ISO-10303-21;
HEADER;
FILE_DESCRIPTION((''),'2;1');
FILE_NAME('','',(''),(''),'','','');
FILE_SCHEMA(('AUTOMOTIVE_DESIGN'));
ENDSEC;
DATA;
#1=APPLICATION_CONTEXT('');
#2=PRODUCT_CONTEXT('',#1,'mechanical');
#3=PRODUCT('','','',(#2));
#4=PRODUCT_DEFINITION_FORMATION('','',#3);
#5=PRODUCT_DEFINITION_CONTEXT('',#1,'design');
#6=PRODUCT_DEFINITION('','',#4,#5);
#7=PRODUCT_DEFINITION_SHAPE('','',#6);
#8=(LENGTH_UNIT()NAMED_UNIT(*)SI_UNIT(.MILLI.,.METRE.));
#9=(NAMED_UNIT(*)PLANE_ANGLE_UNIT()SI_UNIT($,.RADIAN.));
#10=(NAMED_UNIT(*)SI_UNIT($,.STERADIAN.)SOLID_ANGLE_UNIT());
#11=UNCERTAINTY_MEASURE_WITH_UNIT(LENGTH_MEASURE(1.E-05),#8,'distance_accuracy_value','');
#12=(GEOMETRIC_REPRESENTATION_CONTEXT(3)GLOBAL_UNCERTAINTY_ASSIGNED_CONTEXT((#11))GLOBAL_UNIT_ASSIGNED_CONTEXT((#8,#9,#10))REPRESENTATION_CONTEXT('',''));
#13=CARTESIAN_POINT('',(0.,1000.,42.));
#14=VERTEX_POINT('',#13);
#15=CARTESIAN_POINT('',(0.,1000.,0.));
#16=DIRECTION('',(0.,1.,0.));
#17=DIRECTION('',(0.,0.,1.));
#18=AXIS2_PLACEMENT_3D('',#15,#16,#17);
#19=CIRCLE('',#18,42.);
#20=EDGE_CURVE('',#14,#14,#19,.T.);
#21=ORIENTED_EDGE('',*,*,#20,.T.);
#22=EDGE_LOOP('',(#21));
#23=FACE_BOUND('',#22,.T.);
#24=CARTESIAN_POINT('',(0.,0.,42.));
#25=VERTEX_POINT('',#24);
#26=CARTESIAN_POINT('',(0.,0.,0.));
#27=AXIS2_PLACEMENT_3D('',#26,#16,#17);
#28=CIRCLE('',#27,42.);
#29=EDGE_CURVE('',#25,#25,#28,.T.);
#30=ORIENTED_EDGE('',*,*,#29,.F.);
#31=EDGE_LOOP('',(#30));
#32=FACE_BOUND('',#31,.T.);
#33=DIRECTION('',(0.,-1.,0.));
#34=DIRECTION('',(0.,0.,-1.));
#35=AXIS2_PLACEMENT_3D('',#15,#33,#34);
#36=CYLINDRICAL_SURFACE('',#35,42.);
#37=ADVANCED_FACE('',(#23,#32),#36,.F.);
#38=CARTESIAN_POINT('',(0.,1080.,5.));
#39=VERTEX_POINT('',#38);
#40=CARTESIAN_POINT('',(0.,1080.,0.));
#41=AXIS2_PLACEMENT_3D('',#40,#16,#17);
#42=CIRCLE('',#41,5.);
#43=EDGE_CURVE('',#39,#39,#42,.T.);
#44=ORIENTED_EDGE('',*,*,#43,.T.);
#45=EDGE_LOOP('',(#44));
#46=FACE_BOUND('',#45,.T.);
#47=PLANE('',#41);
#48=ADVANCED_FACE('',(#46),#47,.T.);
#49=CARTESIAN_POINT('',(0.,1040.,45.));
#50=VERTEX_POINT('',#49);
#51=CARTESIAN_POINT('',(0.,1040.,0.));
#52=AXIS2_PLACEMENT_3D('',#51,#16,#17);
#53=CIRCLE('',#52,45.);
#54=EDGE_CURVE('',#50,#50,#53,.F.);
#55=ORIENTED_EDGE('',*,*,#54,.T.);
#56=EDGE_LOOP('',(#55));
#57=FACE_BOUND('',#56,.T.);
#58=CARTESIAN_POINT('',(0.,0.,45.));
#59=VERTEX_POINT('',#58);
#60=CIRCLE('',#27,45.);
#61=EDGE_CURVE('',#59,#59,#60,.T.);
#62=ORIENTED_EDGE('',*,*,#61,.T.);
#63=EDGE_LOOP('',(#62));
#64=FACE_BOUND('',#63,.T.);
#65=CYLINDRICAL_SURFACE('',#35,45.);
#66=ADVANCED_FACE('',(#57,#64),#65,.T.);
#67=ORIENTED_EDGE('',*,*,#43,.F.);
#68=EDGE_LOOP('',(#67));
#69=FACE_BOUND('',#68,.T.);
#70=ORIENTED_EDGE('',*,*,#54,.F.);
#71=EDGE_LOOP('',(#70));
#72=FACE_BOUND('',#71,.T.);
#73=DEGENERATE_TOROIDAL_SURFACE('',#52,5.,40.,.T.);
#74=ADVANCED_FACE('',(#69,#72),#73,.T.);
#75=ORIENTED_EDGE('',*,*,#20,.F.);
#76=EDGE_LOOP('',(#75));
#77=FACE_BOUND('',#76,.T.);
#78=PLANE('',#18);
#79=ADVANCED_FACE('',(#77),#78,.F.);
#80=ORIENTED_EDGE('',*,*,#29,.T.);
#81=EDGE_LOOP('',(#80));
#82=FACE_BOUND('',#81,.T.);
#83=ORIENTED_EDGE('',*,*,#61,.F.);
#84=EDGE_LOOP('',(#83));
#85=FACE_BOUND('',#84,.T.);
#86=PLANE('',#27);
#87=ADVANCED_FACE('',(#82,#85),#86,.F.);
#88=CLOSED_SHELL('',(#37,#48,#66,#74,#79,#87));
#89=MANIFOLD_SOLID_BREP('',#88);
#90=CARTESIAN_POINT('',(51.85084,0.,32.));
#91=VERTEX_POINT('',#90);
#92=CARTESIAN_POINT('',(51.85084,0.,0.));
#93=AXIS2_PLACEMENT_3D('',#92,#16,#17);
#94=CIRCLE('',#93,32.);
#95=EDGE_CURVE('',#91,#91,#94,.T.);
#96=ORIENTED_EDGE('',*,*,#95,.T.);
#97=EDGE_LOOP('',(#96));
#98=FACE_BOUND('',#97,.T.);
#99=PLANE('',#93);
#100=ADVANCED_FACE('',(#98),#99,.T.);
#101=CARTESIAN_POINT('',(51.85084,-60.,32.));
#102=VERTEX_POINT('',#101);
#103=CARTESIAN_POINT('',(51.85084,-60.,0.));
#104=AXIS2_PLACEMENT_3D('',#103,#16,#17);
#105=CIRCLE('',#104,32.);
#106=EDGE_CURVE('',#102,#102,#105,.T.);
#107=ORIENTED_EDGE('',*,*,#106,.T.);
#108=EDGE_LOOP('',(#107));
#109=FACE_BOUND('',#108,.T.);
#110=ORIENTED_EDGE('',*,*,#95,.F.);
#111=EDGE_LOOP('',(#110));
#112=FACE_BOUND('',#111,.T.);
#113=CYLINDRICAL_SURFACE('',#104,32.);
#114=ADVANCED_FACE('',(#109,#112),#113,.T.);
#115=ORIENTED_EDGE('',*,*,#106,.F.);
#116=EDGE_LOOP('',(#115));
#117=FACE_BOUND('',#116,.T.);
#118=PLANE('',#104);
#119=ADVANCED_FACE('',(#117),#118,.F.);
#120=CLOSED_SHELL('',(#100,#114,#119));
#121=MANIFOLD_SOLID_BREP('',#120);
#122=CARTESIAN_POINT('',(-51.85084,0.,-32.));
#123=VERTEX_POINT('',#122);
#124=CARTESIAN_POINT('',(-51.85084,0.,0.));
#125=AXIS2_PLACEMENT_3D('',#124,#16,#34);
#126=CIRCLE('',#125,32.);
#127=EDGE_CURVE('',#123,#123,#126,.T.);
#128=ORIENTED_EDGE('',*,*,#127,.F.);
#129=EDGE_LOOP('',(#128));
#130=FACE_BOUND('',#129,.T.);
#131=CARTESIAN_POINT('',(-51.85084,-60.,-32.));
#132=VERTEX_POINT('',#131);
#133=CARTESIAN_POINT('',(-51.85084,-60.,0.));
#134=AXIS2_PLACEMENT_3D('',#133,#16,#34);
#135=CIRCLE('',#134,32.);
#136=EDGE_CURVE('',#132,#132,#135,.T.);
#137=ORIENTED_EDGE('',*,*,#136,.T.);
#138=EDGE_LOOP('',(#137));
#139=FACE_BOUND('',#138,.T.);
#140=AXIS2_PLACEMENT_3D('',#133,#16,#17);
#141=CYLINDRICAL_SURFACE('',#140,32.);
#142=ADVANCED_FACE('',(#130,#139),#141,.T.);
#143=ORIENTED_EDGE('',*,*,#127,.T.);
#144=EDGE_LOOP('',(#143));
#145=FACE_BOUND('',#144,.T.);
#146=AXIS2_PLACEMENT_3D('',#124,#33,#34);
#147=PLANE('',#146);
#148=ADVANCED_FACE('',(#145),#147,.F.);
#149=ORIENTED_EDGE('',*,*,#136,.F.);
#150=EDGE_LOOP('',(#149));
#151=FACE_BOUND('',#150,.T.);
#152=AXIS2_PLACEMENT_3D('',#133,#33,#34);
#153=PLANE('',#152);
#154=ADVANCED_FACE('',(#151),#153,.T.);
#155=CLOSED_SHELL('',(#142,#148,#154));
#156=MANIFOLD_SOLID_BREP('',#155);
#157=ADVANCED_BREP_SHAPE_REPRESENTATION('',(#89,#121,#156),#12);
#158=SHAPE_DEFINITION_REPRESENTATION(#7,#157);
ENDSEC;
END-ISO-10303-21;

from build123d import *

# Parameters (mm, degrees)
SKETCH1_R             = 45
SKETCH1_R_2           = 42
BOSS_EXTRUDE1_DEPTH   = 1000
SKETCH2_R             = 45
BOSS_EXTRUDE2_DEPTH   = 80
FILLET1_R             = 40
SKETCH3_R             = 32
BOSS_EXTRUDE3_DEPTH   = 60
BOSS_EXTRUDE3_2_DEPTH = 60


with BuildPart() as part:
    # Sketch1 → Boss-Extrude1 (new body)
    with BuildSketch(Plane(origin=(0, 0, 0), x_dir=(1, 0, 0), z_dir=(0, 1, 0))):
        Circle(SKETCH1_R)
        Circle(SKETCH1_R_2, mode=Mode.SUBTRACT)
    extrude(amount=BOSS_EXTRUDE1_DEPTH)

    # Sketch2 → Boss-Extrude2 (add)
    with BuildSketch(Plane(origin=(0, 1000, 0), x_dir=(1, 0, 0), z_dir=(0, 1, 0))):
        Circle(SKETCH2_R)
    extrude(amount=BOSS_EXTRUDE2_DEPTH)

    # Fillet1
    fillet1_edges = [part.edges().sort_by_distance(p)[0] for p in [
        (-45, 1080, 0),
    ]]
    fillet(fillet1_edges, radius=FILLET1_R)


with BuildPart() as body_2:
    # Sketch3 → Boss-Extrude3 (new body)
    with BuildSketch(Plane(origin=(0, 0, 0), x_dir=(1, 0, 0), z_dir=(0, 1, 0))):
        with Locations((51.85084031, 0)):
            Circle(SKETCH3_R)
    extrude(amount=-BOSS_EXTRUDE3_DEPTH)


with BuildPart() as body_3:
    # Sketch3 → Boss-Extrude3 2 (new body)
    with BuildSketch(Plane(origin=(0, 0, 0), x_dir=(1, 0, 0), z_dir=(0, 1, 0))):
        with Locations((-51.85084031, 0)):
            Circle(SKETCH3_R)
    extrude(amount=-BOSS_EXTRUDE3_2_DEPTH)


solid = Compound([part.part, body_2.part, body_3.part])
